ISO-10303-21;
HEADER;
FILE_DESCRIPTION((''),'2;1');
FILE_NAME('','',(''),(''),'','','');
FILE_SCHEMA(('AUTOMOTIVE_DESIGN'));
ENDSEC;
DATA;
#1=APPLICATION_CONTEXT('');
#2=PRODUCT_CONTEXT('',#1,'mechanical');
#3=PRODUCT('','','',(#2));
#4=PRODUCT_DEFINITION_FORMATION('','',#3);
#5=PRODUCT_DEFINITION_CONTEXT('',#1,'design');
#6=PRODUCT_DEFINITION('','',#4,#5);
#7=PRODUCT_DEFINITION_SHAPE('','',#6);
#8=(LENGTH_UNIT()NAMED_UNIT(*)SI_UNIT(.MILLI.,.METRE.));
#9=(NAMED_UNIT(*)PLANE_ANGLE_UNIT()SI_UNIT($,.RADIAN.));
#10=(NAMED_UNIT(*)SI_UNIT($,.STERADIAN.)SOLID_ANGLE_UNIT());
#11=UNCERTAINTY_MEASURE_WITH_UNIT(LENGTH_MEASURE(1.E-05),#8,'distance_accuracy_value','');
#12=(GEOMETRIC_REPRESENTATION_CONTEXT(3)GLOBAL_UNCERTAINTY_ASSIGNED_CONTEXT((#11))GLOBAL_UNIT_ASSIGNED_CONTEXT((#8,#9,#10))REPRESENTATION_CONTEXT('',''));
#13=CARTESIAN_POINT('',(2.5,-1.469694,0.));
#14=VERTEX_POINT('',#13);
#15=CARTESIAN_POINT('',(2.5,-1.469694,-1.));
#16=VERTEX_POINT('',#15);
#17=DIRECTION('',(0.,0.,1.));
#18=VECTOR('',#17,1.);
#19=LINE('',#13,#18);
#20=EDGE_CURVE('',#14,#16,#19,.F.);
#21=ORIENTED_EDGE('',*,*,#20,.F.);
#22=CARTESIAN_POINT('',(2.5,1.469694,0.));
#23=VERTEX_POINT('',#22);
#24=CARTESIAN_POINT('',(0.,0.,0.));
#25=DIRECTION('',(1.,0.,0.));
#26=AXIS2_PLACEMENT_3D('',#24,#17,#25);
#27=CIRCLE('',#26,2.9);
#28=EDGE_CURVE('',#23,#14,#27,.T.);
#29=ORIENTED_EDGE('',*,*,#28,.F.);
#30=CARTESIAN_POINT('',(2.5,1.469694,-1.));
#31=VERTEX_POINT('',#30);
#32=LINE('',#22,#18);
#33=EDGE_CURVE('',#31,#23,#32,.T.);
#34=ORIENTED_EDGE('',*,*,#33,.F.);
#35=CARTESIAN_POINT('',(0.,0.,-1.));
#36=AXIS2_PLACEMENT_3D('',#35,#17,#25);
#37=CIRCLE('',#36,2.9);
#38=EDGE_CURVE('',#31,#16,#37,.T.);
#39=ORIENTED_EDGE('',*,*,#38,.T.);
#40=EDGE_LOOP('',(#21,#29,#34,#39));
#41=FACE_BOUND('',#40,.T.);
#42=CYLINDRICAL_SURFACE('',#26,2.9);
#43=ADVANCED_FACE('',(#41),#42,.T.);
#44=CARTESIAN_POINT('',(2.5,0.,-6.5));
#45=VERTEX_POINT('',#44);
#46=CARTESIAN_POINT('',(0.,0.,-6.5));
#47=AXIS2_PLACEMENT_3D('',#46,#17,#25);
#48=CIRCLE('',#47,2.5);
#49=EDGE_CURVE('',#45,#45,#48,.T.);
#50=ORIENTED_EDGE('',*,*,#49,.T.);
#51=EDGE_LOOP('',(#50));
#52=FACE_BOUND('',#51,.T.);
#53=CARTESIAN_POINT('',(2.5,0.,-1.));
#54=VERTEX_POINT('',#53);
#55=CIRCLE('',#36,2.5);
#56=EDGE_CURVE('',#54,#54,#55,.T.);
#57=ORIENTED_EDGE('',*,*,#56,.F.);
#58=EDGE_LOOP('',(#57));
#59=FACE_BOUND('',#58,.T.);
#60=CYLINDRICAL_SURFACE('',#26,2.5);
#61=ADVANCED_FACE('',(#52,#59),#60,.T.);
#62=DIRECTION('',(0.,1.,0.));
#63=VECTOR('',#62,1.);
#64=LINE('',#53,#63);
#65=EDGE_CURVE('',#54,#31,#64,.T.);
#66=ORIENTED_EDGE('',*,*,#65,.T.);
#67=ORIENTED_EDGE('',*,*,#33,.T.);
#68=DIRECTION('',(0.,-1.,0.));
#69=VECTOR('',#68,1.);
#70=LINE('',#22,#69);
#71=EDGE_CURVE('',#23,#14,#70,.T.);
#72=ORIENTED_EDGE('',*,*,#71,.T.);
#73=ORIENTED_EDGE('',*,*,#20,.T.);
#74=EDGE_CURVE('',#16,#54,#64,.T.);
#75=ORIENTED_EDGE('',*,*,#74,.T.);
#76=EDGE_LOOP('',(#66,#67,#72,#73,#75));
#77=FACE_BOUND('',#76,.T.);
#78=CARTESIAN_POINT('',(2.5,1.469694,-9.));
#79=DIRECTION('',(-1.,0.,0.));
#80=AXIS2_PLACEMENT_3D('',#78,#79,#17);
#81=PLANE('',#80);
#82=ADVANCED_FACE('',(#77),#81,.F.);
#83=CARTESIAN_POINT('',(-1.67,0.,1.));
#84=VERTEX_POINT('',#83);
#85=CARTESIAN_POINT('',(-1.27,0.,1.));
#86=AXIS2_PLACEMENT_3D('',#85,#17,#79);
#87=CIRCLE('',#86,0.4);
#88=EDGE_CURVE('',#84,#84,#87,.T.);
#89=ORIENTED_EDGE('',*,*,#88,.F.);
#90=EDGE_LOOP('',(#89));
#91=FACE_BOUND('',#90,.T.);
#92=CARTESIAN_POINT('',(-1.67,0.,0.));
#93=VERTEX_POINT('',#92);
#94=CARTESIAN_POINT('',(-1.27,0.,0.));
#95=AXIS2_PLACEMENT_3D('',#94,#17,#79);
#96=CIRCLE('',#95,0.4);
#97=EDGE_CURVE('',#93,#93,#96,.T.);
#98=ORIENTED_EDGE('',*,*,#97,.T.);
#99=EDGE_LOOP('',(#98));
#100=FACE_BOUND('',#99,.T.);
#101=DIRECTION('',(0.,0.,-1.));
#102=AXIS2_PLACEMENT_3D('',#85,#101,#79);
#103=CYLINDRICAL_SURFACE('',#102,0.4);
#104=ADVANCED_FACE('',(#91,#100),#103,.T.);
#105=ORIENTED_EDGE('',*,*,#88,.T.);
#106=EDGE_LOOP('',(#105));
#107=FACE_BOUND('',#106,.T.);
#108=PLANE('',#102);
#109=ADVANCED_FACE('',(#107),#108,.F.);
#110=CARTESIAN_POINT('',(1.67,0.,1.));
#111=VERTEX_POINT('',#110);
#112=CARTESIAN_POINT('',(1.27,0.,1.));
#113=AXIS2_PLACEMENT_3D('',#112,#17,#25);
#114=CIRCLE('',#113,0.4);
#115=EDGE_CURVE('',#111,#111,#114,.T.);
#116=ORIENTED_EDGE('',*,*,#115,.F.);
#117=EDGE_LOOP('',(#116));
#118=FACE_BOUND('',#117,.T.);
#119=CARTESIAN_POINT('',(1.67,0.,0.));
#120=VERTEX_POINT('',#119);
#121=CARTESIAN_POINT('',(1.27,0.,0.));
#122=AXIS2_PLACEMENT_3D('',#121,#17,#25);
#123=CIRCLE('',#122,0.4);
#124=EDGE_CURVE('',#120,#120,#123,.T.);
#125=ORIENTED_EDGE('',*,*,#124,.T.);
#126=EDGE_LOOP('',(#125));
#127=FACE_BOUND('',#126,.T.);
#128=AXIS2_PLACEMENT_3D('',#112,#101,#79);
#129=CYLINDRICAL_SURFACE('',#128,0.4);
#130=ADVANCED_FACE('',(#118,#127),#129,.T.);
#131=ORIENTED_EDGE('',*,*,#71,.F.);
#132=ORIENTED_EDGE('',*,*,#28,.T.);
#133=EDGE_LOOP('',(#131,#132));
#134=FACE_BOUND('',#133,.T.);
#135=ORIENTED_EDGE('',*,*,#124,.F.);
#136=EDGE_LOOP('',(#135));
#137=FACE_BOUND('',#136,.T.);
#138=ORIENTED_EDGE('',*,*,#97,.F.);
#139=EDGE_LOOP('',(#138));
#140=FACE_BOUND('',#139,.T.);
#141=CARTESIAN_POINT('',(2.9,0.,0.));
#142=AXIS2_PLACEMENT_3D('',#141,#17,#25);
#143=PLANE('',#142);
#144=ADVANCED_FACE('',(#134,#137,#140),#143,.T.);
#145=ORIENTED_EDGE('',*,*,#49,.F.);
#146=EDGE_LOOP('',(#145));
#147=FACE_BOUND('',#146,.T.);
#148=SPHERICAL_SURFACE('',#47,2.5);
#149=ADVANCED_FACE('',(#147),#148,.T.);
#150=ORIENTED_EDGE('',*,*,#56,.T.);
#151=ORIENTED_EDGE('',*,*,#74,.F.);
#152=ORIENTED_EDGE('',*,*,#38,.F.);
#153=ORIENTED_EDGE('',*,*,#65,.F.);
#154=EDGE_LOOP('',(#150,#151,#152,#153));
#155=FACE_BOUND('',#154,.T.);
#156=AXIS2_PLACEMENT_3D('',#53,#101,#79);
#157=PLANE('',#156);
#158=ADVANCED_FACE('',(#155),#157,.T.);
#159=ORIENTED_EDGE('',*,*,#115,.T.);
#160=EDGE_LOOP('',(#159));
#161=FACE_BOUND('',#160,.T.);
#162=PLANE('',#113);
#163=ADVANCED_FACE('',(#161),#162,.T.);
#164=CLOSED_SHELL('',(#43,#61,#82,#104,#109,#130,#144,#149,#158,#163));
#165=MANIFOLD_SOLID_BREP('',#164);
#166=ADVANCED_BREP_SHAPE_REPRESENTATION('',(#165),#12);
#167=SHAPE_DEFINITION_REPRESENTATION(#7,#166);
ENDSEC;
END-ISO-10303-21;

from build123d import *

# Parameters (mm, degrees)
SKETCH2_W           = 0.4
SKETCH2_H           = 2.939387692
CUT_EXTRUDE1_DEPTH  = 10.890399385
SKETCH3_R           = 0.4
BOSS_EXTRUDE1_DEPTH = 1


with BuildPart() as part:
    # Sketch1 → Revolve1 (revolve)
    with BuildSketch(Plane(origin=(0, 0, 0), x_dir=(1, 0, 0), z_dir=(0, 1, 0))):
        with BuildLine():
            Line((0, 0), (0, 9))
            ThreePointArc((0, 9), (1.767766953, 8.267766953), (2.5, 6.5))
            Line((2.5, 6.5), (2.5, 1))
            Line((2.5, 1), (2.9, 1))
            Line((2.9, 1), (2.9, 0))
            Line((2.9, 0), (0, 0))
        make_face()
    revolve(axis=Axis((0, 0, 0), (0, 0, -1)))

    # Sketch2 → Cut-Extrude1 (cut, through all)
    with BuildSketch(Plane.XY):
        with Locations((2.7, 0)):
            Rectangle(SKETCH2_W, SKETCH2_H)
    extrude(amount=-CUT_EXTRUDE1_DEPTH, mode=Mode.SUBTRACT)

    # Sketch3 → Boss-Extrude1 (add)
    with BuildSketch(Plane.XY):
        with Locations((1.27, 0)):
            Circle(SKETCH3_R)
        with Locations(Location((-1.27, 0, 0), (0, 0, 180))):
            Circle(SKETCH3_R)
    extrude(amount=BOSS_EXTRUDE1_DEPTH)


solid = part.part
